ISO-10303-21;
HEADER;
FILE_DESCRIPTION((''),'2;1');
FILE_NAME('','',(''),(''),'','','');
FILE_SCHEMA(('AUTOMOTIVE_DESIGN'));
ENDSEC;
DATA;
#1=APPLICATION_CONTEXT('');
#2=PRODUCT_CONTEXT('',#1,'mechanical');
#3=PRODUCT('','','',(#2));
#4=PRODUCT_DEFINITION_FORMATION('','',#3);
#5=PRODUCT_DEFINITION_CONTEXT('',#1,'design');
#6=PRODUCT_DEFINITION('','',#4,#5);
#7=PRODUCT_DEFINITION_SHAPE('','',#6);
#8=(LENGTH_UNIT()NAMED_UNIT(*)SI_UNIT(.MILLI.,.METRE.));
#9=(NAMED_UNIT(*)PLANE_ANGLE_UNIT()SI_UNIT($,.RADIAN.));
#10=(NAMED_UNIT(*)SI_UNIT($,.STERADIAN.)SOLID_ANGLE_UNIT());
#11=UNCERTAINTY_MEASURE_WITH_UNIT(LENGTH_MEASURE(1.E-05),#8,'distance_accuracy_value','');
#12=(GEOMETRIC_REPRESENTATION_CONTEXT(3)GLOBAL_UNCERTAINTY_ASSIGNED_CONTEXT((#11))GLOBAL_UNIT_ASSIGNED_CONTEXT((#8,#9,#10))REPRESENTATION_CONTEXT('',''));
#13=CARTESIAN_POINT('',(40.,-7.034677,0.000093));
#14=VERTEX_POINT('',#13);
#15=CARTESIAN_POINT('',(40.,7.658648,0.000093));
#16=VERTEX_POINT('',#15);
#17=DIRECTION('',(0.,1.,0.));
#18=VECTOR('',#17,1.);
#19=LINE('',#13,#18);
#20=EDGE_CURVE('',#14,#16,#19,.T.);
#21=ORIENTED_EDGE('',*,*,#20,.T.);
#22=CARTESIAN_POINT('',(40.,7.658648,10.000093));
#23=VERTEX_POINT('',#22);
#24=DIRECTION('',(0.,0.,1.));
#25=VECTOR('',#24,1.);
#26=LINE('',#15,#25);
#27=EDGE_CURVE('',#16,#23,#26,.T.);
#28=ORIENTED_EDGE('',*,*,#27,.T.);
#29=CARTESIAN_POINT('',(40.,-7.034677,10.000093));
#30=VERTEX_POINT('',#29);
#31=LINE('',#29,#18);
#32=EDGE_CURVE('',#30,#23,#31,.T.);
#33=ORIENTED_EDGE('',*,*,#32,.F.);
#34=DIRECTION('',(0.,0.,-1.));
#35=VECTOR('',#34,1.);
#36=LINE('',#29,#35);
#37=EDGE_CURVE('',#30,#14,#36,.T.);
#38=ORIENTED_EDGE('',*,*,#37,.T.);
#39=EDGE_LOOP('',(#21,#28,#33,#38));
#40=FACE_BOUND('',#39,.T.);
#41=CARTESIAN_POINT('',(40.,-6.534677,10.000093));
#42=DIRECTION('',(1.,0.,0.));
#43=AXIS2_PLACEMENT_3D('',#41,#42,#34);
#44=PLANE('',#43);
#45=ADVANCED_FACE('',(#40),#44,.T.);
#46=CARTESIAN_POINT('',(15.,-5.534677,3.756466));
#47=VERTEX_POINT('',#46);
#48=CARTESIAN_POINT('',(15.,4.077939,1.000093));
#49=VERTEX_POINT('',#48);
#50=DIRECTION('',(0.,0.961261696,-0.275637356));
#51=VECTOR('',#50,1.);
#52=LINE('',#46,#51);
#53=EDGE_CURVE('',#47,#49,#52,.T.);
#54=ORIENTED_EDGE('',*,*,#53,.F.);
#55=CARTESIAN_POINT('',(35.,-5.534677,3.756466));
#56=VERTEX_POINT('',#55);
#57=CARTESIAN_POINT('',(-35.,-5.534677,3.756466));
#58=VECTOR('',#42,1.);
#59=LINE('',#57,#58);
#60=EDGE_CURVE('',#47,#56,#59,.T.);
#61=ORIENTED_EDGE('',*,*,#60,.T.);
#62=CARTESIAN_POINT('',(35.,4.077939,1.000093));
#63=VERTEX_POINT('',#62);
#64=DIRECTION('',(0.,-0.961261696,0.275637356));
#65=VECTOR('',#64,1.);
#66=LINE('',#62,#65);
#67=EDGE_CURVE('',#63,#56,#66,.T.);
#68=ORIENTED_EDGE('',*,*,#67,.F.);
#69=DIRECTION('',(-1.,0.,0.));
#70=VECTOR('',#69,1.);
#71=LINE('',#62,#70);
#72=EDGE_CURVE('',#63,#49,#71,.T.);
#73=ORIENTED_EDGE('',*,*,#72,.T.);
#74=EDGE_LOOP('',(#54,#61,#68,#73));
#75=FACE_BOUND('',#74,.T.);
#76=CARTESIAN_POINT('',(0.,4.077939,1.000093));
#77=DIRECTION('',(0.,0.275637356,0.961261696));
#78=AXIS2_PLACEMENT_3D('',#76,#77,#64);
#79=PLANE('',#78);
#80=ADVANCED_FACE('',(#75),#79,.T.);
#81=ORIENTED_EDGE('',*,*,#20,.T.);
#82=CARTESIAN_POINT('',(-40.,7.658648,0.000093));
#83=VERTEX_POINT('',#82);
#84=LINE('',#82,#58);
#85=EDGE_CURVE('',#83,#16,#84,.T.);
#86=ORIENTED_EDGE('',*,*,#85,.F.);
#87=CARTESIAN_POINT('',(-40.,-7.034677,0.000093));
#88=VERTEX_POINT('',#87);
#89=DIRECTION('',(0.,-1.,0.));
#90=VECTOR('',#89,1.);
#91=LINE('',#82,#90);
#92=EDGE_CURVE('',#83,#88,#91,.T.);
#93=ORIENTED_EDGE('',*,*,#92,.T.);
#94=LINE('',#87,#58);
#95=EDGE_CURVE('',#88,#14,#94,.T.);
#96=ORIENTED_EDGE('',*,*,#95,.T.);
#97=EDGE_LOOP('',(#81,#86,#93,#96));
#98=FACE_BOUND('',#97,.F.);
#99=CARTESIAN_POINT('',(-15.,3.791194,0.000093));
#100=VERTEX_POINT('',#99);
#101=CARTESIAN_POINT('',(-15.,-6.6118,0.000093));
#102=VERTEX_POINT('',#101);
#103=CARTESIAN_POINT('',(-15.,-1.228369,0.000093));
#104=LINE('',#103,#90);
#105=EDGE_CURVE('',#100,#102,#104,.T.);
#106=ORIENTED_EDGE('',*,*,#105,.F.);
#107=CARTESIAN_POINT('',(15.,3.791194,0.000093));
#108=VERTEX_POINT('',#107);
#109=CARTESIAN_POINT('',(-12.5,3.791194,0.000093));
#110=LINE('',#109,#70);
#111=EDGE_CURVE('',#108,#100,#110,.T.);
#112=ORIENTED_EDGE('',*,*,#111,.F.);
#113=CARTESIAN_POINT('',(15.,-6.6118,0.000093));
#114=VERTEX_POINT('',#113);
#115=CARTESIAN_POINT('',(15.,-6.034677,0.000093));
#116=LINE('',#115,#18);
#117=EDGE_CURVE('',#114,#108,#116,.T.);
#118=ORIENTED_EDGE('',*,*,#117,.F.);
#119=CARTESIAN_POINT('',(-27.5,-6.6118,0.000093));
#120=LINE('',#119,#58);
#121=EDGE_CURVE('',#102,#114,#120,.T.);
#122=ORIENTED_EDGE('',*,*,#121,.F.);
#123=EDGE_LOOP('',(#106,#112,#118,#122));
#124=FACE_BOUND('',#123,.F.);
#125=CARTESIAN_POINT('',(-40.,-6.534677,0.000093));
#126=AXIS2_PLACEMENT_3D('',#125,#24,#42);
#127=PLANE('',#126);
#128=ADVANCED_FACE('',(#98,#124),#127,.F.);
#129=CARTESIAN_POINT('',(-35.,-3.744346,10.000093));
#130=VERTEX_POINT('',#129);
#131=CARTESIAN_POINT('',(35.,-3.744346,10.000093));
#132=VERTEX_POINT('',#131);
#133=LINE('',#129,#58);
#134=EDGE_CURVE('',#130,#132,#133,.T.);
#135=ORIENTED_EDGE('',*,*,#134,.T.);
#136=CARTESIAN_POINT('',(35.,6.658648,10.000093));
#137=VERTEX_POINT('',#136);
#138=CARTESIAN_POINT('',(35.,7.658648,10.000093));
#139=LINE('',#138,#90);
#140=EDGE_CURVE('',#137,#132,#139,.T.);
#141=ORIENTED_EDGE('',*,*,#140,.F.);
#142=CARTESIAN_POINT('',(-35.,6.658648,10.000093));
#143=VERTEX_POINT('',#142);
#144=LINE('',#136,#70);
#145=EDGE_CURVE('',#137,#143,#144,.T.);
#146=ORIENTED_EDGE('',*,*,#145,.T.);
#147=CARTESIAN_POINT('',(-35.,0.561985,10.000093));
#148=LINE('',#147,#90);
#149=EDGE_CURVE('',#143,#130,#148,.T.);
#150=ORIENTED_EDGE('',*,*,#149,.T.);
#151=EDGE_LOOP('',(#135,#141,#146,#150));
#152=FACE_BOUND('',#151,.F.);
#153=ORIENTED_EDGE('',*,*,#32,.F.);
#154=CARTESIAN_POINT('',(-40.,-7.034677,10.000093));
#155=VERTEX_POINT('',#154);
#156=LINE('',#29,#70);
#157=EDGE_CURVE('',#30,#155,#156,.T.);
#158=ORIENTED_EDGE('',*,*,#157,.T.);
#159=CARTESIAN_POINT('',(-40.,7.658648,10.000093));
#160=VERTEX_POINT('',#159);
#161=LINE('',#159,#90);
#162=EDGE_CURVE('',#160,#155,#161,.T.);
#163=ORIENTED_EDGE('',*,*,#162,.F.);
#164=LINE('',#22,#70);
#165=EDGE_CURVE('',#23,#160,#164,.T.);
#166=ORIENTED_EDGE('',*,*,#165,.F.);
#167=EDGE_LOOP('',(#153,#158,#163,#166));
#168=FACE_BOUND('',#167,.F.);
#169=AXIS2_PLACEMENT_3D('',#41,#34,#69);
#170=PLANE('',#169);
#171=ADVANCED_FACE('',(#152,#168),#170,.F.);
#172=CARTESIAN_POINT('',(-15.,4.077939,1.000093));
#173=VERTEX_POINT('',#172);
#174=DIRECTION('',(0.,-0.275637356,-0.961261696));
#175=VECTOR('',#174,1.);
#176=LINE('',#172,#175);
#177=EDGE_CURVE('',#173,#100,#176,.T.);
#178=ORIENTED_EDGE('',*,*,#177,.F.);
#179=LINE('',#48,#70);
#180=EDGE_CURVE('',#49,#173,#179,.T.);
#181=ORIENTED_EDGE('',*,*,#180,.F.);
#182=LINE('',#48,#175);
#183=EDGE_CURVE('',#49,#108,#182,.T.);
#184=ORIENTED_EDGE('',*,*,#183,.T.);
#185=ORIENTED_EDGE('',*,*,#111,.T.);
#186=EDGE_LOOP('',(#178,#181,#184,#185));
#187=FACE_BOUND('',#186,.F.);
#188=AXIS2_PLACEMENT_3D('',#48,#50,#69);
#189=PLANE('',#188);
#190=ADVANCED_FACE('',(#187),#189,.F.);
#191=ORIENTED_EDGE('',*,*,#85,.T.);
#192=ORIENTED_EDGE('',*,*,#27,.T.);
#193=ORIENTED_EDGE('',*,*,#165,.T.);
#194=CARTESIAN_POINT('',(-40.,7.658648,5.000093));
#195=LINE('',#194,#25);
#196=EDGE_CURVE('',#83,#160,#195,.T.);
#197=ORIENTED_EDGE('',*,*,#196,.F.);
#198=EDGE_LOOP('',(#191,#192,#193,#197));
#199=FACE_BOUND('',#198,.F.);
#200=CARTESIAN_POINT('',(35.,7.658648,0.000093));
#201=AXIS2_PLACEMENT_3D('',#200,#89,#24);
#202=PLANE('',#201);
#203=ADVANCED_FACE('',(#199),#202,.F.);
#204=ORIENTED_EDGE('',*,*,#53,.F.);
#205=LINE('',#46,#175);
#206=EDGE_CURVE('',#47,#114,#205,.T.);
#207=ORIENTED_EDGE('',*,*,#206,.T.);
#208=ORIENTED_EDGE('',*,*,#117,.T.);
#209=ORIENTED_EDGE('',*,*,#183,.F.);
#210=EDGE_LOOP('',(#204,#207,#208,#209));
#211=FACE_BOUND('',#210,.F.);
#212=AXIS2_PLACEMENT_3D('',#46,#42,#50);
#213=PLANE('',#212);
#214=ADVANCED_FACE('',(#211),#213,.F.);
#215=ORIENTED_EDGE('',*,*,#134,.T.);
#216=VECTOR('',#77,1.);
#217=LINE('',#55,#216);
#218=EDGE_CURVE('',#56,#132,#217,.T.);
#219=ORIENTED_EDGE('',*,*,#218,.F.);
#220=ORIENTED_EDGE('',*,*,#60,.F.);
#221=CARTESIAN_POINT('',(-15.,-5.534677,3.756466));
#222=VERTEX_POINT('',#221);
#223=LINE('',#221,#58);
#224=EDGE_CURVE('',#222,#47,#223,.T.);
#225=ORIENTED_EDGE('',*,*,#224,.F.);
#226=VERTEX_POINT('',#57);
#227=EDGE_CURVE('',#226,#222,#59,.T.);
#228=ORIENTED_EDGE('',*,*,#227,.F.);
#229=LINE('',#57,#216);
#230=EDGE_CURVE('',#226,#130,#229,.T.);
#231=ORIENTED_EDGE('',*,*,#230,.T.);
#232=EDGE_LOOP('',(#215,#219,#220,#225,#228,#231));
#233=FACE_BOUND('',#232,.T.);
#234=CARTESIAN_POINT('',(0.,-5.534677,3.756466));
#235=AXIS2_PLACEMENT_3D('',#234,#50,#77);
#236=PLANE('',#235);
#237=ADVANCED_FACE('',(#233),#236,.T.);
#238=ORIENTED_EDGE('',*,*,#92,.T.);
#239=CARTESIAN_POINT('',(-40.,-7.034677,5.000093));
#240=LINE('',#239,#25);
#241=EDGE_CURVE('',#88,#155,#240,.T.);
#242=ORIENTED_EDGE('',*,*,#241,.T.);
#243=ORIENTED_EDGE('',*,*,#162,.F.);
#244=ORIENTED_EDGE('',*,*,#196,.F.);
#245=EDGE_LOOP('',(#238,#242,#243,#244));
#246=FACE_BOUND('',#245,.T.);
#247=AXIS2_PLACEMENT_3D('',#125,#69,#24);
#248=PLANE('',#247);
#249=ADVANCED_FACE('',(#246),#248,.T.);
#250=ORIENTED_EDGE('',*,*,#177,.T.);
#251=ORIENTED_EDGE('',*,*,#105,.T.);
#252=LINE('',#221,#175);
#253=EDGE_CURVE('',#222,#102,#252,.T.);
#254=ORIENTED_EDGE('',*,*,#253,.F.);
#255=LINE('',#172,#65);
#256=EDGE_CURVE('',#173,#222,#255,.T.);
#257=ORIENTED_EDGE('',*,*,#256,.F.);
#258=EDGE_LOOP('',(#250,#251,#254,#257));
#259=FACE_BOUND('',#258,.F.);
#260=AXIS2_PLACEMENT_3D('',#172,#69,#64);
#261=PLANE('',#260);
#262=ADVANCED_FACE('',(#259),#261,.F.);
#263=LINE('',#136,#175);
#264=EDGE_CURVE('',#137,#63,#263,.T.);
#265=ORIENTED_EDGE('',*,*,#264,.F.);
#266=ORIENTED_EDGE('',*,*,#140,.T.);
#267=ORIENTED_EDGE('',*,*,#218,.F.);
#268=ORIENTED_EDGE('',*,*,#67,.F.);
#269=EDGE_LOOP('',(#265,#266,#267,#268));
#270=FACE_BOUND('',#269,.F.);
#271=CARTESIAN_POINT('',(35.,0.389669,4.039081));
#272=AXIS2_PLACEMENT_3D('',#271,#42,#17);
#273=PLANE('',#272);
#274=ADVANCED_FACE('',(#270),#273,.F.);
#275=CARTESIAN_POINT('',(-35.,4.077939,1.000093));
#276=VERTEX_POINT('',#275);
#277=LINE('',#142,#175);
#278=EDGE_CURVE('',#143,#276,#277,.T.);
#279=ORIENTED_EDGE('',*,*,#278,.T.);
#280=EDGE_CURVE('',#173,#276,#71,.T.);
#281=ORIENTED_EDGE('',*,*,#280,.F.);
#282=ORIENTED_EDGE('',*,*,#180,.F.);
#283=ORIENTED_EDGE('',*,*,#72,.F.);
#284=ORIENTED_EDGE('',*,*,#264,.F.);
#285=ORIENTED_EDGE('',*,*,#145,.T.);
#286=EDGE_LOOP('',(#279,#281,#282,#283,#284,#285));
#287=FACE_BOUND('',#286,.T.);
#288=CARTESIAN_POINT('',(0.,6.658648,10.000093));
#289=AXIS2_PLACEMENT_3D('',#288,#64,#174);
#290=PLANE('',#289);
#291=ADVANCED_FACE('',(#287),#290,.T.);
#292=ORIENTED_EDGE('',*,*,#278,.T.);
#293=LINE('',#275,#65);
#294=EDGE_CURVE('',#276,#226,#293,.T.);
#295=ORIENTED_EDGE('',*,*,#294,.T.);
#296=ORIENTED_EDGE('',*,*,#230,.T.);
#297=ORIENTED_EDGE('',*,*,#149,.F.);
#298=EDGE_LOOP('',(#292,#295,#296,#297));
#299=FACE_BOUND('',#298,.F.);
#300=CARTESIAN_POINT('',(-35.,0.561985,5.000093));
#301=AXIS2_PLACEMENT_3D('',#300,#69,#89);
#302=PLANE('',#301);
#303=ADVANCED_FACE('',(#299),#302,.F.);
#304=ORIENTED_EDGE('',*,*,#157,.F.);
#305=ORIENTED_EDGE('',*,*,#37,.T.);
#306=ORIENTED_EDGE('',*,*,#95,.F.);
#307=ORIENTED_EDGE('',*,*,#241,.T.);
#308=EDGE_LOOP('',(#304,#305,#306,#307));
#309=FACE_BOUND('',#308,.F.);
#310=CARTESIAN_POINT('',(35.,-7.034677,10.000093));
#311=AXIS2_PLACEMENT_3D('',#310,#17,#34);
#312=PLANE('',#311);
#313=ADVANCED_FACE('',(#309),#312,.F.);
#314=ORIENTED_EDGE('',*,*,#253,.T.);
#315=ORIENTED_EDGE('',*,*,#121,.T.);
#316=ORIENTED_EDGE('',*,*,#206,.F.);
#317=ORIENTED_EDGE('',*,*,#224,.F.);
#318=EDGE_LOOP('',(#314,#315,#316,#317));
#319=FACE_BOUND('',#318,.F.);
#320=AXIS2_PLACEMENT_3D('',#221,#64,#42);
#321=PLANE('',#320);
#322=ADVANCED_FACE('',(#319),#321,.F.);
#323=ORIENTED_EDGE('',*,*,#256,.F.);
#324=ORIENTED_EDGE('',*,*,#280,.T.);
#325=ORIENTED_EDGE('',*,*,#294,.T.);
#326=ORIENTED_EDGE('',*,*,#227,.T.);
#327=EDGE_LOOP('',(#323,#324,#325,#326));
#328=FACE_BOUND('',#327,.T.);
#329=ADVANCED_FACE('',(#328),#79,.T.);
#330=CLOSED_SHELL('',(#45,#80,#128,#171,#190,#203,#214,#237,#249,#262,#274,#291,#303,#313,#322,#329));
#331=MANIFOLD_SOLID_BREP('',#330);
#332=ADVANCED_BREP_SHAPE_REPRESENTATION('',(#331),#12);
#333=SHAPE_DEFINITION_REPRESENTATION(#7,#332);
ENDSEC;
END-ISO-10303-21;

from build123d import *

# Parameters (mm, degrees)
F1_DEPTH = 35
F3_W     = 14.1933254312
F3_H     = 10
F4_DEPTH = 5
F6_DEPTH = 5
F8_DEPTH = 0.5
F9_DEPTH = 200


with BuildPart() as f1:
    # F0 (on Right) → F1 (new body, symmetric)
    with BuildSketch(Plane.YZ):
        Polygon((4.0779394949, -1.9816074769), (-5.5346774645, 0.7747660812), (-3.7443463919, 7.0183925231), (-6.5346774645, 7.0183925231), (-6.5346774645, -2.9816074769), (7.6586479667, -2.9816074769), (7.6586479667, 7.0183925231), (6.6586479667, 7.0183925231), align=None)
    extrude(amount=F1_DEPTH, both=True)


with BuildPart() as f1_1:
    # F2: moved
    add(f1.part.moved(Location((0, 0, 2.9817))))

    # F3 (on face) → F4 (join)
    with BuildSketch(Plane(origin=(-35, 0, 0), x_dir=(0, -1, 0), z_dir=(-1, 0, 0))):
        with Locations((-0.5619852511, 5.0000925231)):
            Rectangle(F3_W, F3_H)
    extrude(amount=F4_DEPTH)

    # F5 (on face) → F6 (join)
    with BuildSketch(Plane.YZ.offset(35)):
        Polygon((-3.7443463919, 10.0000925231), (-6.5346774645, 10.0000925231), (-6.5346774645, 9.25231e-05), (7.6586479667, 9.25231e-05), (7.6586479667, 10.0000925231), (6.6586479667, 10.0000925231), (4.0779394949, 1.0000925231), (-5.5346774645, 3.7564660812), align=None)
        Polygon((6.6586479667, 10.0000925231), (-3.7443463919, 10.0000925231), (-5.5346774645, 3.7564660812), (4.0779394949, 1.0000925231), align=None)
    extrude(amount=F6_DEPTH)

    # F8 (add): a face of the model
    f8_faces = [f1_1.faces().sort_by_distance(p)[0] for p in [
        (0, -6.5346774645, 5.0000925231),
    ]]
    extrude(f8_faces, amount=F8_DEPTH)

    # F7 (on face) → F9 (cut)
    with BuildSketch(Plane(origin=(0, 0.574809482, 2.00459889), x_dir=(1, 0, 0), z_dir=(0, 0.2756373558, 0.9612616959))):
        Polygon((15, 3.6443041761), (0, 3.6443041761), (-15, 3.6443041761), (-15, -6.3556958239), (15, -6.3556958239), align=None)
    extrude(amount=-F9_DEPTH, mode=Mode.SUBTRACT)


solid = f1_1.part
